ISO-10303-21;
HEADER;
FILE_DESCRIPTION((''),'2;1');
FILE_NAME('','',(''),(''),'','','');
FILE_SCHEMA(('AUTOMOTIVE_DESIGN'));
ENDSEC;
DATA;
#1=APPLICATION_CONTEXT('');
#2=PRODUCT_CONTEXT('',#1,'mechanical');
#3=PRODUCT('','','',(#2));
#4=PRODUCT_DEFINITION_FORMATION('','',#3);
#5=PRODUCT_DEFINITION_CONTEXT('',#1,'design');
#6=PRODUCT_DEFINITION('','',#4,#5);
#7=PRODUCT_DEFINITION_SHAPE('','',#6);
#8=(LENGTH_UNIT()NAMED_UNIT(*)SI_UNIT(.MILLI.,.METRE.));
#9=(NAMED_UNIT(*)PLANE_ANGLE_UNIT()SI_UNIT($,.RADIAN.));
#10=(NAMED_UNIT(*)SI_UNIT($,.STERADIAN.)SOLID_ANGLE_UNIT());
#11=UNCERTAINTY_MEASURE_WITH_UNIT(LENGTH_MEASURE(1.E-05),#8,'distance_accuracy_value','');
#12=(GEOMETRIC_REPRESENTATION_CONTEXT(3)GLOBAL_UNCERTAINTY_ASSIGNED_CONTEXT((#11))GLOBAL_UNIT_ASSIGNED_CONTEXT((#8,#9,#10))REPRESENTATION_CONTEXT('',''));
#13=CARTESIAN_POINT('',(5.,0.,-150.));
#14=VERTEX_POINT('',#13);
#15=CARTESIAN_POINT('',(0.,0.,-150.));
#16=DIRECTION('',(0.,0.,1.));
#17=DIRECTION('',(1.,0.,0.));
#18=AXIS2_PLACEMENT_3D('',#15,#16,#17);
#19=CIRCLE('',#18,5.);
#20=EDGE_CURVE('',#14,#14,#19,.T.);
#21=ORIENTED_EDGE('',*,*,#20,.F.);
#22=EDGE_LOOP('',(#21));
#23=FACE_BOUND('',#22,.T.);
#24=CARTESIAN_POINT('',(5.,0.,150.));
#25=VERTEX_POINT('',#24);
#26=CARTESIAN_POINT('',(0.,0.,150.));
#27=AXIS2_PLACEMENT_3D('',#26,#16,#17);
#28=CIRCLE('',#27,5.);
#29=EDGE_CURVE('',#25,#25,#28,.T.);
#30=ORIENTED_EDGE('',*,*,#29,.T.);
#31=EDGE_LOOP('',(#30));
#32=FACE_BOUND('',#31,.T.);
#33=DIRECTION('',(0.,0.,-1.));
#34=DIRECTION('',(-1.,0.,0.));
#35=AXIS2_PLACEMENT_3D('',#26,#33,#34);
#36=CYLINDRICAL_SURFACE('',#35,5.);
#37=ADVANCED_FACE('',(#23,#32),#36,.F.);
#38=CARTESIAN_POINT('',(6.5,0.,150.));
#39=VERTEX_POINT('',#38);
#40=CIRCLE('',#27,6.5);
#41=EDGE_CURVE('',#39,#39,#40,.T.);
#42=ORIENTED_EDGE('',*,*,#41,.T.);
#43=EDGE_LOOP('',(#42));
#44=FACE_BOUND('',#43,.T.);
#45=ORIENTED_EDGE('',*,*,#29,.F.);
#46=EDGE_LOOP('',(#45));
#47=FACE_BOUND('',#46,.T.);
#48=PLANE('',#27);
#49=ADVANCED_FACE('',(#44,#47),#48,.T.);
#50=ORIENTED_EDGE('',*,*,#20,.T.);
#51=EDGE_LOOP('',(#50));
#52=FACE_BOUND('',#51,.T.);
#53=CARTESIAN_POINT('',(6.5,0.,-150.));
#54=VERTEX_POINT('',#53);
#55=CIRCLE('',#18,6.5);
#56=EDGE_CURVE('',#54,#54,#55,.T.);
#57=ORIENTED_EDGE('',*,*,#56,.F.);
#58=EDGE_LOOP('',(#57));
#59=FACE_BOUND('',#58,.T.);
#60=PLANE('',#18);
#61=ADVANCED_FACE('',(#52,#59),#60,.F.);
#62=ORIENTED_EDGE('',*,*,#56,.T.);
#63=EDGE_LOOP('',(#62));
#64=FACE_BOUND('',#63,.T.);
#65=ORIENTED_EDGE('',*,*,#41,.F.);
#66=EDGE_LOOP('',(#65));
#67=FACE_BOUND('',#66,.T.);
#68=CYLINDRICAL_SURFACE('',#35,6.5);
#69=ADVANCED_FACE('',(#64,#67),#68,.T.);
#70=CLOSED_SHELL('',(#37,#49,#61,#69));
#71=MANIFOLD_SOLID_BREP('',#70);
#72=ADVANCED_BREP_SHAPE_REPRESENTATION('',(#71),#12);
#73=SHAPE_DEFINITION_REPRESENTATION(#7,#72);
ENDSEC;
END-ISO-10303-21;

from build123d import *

# Parameters (mm, degrees)
CROQUIS1_R              = 6.5
CROQUIS1_R_2            = 5
SALIENTE_EXTRUIR1_DEPTH = 150


with BuildPart() as part:
    # Croquis1 → Saliente-Extruir1 (new body, symmetric)
    with BuildSketch(Plane.XY):
        Circle(CROQUIS1_R)
        Circle(CROQUIS1_R_2, mode=Mode.SUBTRACT)
    extrude(amount=SALIENTE_EXTRUIR1_DEPTH, both=True)


solid = part.part
